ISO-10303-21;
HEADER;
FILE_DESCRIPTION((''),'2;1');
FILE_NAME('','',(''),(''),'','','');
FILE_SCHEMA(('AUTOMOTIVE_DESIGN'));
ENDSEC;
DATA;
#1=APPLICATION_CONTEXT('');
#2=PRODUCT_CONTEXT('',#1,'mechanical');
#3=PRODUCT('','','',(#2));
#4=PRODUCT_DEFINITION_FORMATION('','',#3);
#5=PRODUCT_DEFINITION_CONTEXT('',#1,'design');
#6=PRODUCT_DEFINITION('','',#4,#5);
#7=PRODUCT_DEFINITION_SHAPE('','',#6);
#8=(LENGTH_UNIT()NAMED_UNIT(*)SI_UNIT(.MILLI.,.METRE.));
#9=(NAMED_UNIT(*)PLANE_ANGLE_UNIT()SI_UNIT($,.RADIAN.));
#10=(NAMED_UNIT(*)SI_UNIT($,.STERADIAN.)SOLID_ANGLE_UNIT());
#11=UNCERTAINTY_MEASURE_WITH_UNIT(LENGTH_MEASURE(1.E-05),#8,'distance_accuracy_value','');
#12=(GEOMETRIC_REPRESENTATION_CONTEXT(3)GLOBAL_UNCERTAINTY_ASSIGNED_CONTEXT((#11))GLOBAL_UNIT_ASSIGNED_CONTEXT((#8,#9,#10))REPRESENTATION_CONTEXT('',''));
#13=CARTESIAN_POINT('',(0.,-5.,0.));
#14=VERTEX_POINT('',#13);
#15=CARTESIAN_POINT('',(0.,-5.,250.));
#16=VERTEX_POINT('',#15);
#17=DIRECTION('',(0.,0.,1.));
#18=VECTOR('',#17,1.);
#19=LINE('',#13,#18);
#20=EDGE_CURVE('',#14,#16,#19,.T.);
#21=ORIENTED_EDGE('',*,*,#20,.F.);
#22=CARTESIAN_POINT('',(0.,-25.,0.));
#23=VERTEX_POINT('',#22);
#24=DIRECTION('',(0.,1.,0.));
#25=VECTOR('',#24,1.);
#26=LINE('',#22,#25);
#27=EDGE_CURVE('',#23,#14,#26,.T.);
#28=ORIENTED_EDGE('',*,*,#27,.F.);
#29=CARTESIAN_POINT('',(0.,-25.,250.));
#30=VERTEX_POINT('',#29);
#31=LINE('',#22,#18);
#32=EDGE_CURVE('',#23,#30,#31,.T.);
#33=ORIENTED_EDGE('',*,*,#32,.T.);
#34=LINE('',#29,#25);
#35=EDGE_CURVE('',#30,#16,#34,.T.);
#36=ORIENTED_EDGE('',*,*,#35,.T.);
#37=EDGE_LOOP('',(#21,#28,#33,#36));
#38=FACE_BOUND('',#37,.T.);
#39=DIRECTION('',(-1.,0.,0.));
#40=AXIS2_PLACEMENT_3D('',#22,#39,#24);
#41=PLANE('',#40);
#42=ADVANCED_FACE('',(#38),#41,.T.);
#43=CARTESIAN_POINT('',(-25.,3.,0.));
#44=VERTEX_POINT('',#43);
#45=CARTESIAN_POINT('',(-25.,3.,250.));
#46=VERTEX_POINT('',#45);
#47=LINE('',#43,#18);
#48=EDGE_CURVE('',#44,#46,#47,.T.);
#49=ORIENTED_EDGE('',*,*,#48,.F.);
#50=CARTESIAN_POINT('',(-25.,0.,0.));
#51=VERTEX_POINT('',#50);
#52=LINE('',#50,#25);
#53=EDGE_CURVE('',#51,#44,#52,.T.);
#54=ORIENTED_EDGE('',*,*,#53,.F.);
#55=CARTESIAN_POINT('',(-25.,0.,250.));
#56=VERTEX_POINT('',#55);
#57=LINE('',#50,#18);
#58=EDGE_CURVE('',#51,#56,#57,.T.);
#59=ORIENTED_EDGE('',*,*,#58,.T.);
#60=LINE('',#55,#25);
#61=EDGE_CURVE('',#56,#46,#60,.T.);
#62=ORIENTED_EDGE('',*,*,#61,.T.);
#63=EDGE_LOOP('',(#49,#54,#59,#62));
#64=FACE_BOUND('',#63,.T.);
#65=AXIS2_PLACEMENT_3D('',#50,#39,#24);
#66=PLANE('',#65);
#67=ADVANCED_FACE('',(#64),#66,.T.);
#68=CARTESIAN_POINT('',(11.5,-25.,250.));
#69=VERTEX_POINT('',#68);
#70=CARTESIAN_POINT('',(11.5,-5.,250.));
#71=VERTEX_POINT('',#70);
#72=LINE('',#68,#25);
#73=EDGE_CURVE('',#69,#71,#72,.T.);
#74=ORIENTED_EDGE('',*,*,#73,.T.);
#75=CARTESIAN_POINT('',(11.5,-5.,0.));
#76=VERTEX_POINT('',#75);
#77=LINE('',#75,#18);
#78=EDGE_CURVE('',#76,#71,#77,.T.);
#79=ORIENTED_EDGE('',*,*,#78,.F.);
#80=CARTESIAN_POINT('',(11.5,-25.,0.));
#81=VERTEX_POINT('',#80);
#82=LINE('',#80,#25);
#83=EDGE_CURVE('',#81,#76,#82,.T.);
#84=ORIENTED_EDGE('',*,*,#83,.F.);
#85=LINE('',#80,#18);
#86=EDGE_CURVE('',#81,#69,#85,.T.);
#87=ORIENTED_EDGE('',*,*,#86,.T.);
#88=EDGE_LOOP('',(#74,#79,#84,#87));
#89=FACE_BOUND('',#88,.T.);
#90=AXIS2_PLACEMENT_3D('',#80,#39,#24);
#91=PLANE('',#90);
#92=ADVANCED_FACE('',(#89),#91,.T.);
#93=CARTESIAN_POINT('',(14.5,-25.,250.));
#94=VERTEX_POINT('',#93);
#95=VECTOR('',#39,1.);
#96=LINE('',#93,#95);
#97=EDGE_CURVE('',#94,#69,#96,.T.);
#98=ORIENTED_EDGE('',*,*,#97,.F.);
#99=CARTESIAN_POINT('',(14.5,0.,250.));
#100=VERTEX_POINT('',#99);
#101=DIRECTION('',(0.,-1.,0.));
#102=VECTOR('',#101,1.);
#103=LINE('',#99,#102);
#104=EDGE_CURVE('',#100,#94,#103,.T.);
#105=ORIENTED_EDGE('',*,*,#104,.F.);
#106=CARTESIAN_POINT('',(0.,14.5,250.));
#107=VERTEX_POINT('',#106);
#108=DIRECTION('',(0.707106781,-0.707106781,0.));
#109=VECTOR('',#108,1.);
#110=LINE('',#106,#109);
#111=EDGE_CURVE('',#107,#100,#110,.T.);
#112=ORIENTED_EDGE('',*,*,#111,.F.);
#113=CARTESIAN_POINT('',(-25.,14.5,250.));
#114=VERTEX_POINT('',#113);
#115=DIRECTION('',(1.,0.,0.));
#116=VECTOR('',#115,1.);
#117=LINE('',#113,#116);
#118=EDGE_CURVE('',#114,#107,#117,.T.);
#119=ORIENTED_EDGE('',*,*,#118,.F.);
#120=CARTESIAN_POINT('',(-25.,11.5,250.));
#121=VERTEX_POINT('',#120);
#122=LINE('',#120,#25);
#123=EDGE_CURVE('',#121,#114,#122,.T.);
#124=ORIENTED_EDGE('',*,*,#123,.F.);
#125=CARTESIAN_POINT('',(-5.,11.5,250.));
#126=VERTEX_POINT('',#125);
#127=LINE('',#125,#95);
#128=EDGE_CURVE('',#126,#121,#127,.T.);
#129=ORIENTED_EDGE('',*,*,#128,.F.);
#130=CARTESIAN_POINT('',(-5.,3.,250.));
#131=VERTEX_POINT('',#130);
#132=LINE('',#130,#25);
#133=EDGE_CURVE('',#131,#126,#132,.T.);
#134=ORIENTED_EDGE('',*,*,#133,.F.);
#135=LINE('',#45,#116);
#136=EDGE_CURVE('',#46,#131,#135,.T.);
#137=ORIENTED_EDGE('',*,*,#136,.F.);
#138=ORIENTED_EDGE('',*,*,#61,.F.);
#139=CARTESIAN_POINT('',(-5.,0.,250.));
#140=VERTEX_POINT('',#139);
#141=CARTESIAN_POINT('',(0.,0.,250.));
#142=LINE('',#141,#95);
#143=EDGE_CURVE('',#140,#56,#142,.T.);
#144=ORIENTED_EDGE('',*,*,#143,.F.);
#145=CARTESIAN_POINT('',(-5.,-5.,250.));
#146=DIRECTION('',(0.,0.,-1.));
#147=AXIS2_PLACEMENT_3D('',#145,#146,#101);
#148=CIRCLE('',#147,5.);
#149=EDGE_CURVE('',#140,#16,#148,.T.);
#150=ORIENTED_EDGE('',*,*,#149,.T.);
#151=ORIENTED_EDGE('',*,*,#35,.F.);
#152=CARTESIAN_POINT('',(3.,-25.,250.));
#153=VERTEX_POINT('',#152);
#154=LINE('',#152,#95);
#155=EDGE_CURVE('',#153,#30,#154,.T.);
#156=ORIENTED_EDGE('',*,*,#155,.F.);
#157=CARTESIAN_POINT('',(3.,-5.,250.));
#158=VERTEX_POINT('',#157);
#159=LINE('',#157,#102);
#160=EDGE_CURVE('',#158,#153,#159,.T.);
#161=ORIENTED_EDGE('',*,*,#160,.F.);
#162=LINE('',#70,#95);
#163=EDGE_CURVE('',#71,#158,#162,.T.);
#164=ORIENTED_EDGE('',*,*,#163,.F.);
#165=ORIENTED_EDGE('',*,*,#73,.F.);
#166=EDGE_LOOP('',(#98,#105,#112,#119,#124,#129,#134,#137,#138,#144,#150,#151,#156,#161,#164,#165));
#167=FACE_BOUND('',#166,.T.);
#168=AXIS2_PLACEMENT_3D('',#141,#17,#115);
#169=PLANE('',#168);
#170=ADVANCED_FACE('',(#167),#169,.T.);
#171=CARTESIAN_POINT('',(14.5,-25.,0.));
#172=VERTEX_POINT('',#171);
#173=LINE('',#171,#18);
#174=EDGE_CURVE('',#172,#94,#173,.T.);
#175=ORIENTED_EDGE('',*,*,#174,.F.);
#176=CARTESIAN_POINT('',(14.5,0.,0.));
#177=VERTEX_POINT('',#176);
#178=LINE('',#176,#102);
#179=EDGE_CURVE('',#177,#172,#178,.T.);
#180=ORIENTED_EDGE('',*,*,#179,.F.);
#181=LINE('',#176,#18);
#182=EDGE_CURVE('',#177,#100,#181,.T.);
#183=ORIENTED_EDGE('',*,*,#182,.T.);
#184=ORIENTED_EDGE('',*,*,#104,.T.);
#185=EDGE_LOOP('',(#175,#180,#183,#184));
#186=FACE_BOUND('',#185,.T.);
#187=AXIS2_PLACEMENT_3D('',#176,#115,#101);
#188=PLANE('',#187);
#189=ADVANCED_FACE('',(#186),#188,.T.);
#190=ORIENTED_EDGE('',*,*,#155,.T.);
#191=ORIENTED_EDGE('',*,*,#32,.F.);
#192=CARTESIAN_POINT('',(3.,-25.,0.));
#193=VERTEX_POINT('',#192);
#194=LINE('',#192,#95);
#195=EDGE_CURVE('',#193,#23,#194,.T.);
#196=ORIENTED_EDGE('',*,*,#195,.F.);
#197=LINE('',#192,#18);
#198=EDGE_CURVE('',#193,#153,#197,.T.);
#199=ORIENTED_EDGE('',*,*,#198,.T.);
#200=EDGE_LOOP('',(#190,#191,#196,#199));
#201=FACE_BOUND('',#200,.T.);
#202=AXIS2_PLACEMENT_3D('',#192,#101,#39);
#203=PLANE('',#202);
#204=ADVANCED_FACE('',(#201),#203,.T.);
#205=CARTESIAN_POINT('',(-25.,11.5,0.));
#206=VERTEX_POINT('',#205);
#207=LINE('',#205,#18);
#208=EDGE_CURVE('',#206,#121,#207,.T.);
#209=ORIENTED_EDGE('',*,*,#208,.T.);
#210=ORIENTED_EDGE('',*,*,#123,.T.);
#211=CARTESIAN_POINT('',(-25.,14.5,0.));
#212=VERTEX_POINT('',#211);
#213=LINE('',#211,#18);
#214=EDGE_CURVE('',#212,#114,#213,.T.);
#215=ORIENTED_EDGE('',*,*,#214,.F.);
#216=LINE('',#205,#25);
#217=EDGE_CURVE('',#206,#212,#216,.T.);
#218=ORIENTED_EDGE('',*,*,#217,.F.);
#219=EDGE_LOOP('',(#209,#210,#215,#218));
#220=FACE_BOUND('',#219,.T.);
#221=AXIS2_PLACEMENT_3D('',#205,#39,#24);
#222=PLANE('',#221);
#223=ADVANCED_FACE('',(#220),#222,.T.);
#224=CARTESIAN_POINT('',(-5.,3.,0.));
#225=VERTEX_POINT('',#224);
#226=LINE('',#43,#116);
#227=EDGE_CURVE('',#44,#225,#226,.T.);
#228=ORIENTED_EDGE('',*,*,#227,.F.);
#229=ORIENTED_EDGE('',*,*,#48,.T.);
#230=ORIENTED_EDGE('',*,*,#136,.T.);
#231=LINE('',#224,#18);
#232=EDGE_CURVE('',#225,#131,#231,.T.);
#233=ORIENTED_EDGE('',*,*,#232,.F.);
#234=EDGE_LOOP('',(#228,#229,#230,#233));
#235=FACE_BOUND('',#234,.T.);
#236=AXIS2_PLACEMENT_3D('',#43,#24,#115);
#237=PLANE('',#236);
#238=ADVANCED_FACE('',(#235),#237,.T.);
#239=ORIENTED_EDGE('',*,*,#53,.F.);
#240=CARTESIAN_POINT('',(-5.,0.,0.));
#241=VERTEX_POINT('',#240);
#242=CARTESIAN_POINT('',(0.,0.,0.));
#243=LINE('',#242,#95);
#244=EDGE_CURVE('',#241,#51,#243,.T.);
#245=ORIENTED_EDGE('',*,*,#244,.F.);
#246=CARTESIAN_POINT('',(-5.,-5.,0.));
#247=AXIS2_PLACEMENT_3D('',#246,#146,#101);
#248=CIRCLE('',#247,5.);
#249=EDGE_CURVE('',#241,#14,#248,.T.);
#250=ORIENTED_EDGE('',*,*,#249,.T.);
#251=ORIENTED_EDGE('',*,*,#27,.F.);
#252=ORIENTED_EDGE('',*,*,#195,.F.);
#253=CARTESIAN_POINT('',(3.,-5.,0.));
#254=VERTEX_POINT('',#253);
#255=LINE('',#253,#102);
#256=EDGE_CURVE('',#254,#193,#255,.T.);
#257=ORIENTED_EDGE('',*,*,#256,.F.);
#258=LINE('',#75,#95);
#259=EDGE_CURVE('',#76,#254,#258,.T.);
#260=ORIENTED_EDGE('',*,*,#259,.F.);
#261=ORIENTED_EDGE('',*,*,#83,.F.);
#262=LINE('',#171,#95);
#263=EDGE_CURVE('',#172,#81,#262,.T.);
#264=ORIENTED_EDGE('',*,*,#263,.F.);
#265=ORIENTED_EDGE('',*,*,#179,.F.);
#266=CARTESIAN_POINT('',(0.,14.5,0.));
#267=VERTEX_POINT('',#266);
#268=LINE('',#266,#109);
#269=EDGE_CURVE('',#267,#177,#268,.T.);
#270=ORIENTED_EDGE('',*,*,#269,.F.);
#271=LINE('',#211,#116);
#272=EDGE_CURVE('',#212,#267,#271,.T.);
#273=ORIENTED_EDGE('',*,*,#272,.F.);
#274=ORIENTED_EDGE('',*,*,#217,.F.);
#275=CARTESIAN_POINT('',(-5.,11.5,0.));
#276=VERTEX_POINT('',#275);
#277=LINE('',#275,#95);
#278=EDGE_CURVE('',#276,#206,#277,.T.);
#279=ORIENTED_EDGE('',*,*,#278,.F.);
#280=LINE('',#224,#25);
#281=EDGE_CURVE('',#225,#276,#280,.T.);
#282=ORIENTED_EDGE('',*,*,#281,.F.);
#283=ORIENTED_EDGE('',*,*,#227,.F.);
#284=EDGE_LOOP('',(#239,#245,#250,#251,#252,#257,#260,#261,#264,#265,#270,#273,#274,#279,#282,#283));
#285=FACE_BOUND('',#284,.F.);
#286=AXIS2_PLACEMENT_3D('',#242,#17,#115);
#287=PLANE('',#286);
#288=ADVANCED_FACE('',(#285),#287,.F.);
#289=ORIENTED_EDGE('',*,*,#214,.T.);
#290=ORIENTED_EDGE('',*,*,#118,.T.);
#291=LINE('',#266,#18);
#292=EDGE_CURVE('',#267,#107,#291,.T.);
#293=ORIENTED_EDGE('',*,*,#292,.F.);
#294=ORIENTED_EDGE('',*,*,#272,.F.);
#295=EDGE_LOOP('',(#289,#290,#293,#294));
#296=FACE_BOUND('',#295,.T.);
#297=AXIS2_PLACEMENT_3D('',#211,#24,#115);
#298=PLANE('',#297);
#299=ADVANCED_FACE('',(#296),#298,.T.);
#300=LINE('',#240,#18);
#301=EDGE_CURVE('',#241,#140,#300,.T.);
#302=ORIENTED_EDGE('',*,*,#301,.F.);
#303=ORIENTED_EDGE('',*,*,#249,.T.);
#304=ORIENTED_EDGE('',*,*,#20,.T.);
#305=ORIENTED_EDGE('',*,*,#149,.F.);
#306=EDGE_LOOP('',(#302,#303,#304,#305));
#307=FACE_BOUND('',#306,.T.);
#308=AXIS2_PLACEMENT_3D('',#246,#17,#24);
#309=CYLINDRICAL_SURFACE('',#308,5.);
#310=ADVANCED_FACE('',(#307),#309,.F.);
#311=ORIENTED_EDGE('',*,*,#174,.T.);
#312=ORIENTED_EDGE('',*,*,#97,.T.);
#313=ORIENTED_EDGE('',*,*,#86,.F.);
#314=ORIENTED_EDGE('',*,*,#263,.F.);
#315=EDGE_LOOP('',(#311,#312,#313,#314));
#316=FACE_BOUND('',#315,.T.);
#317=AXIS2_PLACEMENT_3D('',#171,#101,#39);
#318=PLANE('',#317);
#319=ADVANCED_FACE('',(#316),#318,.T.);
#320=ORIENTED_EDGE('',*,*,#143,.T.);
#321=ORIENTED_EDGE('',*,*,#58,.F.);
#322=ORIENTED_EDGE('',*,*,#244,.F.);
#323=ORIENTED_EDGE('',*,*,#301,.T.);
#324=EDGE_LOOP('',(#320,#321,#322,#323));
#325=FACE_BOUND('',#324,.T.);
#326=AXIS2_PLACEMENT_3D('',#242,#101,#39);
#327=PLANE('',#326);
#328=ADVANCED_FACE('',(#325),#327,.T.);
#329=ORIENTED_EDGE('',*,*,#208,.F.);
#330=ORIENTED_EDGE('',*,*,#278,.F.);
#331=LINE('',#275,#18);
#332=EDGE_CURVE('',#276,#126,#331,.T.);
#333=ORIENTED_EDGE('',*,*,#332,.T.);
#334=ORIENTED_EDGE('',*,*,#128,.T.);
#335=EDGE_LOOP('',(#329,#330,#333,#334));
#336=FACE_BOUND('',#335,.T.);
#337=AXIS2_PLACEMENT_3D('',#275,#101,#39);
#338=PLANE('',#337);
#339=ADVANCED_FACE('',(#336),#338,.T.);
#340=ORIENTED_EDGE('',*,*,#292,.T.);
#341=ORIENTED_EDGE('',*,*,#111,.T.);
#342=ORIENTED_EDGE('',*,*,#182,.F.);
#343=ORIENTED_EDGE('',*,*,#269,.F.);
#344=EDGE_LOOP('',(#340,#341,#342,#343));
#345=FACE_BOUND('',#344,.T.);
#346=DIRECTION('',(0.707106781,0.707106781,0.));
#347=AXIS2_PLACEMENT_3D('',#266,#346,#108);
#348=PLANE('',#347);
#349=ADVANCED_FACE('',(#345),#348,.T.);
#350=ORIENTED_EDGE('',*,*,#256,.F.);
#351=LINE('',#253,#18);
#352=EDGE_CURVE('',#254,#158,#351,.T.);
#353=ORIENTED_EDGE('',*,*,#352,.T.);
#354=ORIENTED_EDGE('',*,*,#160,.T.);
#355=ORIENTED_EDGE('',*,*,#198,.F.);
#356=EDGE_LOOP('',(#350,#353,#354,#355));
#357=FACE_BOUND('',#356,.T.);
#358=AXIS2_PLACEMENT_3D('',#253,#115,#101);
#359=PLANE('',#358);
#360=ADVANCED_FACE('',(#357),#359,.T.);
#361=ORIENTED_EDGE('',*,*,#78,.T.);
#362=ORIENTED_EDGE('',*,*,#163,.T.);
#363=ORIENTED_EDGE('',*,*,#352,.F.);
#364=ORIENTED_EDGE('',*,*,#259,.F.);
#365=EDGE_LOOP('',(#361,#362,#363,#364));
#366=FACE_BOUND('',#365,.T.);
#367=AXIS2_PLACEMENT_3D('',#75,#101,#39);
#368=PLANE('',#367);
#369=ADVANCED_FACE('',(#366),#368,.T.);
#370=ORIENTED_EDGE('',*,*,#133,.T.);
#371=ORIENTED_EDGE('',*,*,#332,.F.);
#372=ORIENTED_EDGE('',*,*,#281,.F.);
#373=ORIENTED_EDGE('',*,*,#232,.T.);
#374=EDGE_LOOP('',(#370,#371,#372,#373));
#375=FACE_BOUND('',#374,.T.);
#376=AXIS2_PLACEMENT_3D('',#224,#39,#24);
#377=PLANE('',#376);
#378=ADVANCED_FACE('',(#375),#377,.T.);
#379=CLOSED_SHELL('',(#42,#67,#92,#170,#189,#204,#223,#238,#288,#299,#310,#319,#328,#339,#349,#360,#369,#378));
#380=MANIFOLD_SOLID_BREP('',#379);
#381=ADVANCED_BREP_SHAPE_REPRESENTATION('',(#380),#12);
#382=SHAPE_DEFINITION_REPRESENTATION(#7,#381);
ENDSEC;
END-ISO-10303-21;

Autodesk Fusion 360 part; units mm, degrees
sketch "Schizzo1" plane through (0, 0, 0) normal (0, 0, 1) x (1, 0, 0)
  line L0 (0, 0) -> (-25, 0)
  line L1 (-25, 0) -> (-25, 3)
  line L2 (-25, 3) -> (-5, 3)
  line L3 (-5, 3) -> (-5, 11.5)
  line L4 (-5, 11.5) -> (-25, 11.5)
  line L5 (-25, 11.5) -> (-25, 14.5)
  line L6 (-25, 14.5) -> (0, 14.5)
  line L7 (0, 14.5) -> (0, 0)
  line L8 (14.5, 0) -> (14.5, -25)
  line L9 (11.5, -5) -> (3, -5)
  line L10 (0, 0) -> (14.5, 0)
  line L11 (0, -25) -> (0, 0)
  line L12 (3, -5) -> (3, -25)
  line L13 (14.5, -25) -> (11.5, -25)
  line L14 (3, -25) -> (0, -25)
  line L15 (11.5, -25) -> (11.5, -5)
  line L16 (0, 14.5) -> (14.5, 0)
  point P0 (14.5, 0)
  dimension "d2" = 8.5
  dimension "d3" = 3
  dimension "d4" = 3
  dimension "d5" = 25
  dimension "d6" = 25
  dimension "d7" = 20
  dimension "d8" = 8.5
  dimension "d9" = 3
  dimension "d10" = 3
  dimension "d11" = 25
  dimension "d12" = 25
  dimension "d13" = 20
  dimension "d16" = 90
extrude "Estrusione1" add sketch "Schizzo1" along normal blind 250
fillet "Raccordo1" radius 5 1 edges at (0, 0, 125)
